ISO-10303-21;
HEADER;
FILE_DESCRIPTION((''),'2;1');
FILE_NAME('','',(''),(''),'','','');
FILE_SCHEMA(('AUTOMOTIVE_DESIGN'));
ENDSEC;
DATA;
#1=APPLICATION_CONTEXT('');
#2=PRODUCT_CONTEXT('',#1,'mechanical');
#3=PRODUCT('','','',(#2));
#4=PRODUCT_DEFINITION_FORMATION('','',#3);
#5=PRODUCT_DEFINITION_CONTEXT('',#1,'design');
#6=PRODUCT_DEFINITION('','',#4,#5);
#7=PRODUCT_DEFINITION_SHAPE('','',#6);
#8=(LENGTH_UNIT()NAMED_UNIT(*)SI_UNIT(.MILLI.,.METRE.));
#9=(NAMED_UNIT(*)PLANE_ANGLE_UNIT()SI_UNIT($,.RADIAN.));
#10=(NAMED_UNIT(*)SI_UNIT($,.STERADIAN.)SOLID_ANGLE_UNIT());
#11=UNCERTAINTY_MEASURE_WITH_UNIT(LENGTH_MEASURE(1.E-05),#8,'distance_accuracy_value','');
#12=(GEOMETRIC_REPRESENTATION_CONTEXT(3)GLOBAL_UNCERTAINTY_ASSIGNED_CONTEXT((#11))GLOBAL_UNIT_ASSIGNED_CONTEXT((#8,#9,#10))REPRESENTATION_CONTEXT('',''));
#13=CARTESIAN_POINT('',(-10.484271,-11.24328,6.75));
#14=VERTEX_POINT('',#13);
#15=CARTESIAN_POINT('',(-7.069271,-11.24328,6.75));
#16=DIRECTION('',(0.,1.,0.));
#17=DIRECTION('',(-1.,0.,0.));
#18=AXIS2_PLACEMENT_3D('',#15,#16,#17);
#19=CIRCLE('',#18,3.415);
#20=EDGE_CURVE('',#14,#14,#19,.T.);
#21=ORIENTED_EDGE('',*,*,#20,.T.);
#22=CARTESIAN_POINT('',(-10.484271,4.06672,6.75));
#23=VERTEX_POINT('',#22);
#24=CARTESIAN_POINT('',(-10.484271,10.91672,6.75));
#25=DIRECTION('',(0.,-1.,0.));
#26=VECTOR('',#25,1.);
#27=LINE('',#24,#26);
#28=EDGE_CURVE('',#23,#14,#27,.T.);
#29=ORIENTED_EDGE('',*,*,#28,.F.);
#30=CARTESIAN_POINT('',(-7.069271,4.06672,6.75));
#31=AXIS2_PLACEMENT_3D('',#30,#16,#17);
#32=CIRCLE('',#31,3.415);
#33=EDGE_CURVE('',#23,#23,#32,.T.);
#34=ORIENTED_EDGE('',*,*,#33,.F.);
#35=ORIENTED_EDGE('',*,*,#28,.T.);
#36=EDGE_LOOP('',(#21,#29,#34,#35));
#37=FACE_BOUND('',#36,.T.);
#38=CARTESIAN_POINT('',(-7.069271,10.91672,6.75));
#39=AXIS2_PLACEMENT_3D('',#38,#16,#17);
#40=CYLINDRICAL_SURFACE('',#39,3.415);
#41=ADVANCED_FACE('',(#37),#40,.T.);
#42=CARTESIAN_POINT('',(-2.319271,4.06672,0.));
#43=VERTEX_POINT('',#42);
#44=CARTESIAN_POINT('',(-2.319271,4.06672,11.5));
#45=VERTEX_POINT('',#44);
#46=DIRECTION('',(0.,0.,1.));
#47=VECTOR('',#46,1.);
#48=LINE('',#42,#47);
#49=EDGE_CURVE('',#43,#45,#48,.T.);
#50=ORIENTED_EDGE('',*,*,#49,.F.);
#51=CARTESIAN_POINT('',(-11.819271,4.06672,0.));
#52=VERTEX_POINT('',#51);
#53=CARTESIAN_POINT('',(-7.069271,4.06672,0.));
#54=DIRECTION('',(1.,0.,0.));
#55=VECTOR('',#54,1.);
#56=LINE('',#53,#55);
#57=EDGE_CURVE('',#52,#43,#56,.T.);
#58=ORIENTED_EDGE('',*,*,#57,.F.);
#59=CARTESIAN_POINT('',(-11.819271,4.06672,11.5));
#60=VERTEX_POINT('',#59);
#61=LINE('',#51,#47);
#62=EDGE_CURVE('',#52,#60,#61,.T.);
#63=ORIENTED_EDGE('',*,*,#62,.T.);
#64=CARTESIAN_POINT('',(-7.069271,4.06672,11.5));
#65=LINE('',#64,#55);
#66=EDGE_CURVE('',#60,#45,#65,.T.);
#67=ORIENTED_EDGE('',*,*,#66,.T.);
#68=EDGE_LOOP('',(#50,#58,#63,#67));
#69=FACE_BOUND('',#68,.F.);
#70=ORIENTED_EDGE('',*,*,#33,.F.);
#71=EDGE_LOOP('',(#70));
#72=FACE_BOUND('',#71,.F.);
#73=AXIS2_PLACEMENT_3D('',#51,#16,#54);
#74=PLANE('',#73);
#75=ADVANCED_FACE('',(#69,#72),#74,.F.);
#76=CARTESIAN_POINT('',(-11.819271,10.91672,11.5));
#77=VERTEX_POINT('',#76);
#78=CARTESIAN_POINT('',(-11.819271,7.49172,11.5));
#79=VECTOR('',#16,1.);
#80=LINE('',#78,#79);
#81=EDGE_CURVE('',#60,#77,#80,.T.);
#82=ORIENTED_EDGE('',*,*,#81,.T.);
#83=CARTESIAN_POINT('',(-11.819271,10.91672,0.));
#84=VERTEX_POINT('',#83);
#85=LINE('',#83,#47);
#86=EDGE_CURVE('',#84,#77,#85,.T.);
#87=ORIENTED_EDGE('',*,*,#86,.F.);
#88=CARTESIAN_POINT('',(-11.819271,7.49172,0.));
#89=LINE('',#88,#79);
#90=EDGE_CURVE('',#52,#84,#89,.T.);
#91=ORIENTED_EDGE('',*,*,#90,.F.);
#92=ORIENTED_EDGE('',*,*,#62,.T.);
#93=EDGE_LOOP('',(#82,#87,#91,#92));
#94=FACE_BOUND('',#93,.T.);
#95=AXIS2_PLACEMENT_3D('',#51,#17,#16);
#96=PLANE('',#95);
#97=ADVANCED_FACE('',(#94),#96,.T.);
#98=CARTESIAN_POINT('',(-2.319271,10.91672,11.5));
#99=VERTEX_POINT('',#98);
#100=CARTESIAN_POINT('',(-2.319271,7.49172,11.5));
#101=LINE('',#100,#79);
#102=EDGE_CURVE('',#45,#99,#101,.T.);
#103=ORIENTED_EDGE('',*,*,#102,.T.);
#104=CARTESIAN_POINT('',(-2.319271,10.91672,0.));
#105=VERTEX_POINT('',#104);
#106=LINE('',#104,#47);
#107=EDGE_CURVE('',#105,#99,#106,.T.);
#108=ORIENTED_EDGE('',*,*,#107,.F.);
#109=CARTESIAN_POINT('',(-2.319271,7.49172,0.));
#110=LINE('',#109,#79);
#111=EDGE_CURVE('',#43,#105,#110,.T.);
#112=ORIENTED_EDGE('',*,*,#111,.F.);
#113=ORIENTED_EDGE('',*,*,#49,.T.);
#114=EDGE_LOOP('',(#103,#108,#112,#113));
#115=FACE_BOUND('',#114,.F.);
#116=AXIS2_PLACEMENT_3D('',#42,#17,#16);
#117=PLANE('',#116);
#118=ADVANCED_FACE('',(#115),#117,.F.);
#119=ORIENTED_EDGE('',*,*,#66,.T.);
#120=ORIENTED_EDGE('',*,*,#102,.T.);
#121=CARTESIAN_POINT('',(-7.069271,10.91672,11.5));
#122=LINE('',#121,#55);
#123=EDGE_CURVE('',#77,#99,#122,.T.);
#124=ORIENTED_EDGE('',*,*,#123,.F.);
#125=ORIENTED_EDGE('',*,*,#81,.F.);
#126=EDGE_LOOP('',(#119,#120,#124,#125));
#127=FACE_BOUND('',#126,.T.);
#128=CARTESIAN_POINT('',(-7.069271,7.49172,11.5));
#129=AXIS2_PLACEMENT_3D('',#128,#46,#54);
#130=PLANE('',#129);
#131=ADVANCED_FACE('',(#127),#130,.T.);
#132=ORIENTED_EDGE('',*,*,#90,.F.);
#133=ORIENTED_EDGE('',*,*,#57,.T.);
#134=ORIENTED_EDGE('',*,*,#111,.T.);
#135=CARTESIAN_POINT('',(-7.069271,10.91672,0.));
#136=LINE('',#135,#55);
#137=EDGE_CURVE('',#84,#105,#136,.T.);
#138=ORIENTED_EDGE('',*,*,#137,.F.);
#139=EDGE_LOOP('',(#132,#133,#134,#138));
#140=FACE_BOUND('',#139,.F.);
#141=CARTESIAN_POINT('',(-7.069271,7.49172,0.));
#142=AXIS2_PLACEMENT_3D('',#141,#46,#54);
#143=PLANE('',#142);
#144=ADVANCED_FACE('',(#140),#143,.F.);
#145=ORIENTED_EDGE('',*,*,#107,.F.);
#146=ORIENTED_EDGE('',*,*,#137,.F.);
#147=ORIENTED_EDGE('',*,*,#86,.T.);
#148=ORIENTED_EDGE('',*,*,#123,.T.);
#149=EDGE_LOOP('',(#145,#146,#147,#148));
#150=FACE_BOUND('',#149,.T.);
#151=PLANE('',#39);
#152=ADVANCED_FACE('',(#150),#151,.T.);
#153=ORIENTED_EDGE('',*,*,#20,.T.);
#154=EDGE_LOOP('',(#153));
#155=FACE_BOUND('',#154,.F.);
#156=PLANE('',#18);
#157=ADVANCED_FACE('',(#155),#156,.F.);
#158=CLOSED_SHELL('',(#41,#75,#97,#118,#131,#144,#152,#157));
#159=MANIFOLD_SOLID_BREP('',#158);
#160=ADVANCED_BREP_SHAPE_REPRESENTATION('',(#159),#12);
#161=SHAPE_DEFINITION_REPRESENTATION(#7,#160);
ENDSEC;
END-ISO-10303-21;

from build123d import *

# Parameters (mm, degrees)
F0_W     = 9.5
F0_H     = 6.85
F1_DEPTH = 11.5
F2_R     = 3.415
F3_DEPTH = 22.16


with BuildPart() as f1:
    # F0 (on Top) → F1 (new body)
    with BuildSketch(Plane.XY):
        with Locations((-7.069271, 7.49172)):
            Rectangle(F0_W, F0_H)
    extrude(amount=F1_DEPTH)

    # F2 (on face) → F3 (join)
    with BuildSketch(Plane(origin=(0, 10.91672, 0), x_dir=(-1, 0, 0), z_dir=(0, 1, 0))):
        with Locations((7.069271, 6.75)):
            Circle(F2_R)
    extrude(amount=-F3_DEPTH)


solid = f1.part
